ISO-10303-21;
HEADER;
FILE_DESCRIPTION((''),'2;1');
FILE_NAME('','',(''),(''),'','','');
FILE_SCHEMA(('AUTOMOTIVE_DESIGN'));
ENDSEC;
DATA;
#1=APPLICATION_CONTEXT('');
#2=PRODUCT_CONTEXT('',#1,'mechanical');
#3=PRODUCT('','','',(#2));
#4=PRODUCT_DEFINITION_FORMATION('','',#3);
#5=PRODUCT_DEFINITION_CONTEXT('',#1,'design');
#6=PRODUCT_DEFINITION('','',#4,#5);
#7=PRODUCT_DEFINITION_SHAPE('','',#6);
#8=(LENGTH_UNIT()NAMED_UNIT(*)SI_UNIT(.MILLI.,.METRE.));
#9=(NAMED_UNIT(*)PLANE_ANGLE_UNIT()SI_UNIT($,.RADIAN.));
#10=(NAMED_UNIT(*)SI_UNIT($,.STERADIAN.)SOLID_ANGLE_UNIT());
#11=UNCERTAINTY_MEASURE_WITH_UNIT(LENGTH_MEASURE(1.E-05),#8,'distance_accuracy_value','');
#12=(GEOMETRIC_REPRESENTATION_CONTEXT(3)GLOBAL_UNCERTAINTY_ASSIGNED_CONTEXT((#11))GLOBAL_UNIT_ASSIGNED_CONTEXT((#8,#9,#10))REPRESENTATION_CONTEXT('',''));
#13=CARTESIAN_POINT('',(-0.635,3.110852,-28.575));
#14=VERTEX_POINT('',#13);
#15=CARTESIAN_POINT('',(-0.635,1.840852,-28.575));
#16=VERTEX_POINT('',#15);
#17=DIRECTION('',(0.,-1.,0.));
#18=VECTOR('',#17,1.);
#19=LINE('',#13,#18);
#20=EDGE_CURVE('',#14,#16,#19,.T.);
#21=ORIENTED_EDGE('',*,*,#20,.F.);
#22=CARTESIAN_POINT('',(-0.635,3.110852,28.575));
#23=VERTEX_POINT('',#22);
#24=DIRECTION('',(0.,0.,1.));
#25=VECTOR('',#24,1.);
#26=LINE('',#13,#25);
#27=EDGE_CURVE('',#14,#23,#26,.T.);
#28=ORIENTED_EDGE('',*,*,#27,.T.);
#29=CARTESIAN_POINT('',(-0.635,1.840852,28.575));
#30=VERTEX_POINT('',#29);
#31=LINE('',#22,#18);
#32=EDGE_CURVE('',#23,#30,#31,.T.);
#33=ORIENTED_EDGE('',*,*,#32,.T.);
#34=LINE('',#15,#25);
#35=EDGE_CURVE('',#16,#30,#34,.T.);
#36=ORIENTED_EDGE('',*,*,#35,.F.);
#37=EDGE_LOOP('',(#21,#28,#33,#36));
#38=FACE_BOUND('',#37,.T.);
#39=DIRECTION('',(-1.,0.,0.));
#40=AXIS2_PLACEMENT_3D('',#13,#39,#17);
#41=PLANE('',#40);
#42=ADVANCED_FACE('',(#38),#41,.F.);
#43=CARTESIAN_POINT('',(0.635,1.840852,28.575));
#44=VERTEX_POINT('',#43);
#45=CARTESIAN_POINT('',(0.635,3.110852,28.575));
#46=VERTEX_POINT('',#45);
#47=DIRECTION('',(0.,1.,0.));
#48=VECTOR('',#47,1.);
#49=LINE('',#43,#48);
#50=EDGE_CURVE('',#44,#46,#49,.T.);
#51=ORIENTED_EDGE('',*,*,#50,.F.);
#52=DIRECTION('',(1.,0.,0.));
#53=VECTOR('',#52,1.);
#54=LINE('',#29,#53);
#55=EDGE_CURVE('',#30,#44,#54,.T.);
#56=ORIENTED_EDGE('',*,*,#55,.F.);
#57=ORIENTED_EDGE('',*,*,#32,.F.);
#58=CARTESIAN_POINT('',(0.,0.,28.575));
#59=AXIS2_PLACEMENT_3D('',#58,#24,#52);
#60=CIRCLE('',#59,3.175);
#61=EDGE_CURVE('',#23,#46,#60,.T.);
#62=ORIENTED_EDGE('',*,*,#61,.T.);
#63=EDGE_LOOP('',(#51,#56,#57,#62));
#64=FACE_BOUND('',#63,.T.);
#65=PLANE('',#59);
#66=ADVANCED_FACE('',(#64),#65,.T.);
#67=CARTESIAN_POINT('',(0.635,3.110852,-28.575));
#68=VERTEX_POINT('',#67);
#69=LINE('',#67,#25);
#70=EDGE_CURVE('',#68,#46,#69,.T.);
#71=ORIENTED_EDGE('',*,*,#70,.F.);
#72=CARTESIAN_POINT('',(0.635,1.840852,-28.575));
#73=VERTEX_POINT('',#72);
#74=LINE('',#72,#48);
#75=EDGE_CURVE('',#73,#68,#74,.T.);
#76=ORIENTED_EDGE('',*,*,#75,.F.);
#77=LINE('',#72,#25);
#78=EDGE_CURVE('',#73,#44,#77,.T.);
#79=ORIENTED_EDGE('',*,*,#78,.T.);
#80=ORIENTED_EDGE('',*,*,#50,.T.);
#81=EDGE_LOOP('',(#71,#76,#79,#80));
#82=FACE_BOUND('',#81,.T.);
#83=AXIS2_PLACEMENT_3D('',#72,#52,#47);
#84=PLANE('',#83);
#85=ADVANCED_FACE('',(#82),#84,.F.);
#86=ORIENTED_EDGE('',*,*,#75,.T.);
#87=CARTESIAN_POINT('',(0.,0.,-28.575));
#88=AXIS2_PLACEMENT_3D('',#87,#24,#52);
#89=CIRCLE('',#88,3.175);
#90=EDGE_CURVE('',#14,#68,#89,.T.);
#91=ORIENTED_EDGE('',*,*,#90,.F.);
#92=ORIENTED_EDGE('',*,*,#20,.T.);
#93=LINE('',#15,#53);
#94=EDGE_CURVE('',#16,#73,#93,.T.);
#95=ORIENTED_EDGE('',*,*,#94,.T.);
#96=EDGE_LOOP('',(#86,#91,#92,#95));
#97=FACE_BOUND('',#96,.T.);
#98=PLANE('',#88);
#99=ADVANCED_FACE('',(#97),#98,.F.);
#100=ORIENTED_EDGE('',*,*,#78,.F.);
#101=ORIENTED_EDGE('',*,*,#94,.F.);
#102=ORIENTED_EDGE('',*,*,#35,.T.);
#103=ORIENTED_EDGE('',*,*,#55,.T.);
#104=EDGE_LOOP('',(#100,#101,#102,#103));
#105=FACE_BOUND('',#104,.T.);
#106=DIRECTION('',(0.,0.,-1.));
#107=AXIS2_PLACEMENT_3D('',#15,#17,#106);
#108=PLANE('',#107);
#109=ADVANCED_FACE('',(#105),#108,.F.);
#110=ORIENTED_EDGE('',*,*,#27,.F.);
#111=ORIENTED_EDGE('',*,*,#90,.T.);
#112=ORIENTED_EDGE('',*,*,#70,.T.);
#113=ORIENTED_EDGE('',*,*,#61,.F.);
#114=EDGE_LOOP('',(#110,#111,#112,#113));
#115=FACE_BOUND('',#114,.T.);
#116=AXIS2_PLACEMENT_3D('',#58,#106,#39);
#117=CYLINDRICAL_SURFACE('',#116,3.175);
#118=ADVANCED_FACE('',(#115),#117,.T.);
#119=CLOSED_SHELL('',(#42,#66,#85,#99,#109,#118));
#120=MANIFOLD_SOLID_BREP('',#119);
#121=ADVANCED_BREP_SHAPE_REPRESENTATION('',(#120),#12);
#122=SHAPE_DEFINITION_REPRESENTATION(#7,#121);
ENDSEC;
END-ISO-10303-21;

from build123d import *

# Parameters (mm, degrees)
SKETCH1_R           = 3.175
BOSS_EXTRUDE1_DEPTH = 28.575
CUT_EXTRUDE1_DEPTH  = 58.326117521


with BuildPart() as part:
    # Sketch1 → Boss-Extrude1 (new, symmetric)
    with BuildSketch(Plane.XY):
        Circle(SKETCH1_R)
    extrude(amount=BOSS_EXTRUDE1_DEPTH, both=True)

    # Sketch2 → Cut-Extrude1 (cut, through all)
    with BuildSketch(Plane.XY.offset(28.575)):
        with BuildLine():
            Line((-0.635, 3.110851973), (-0.635, 1.840851973))
            Line((-0.635, 1.840851973), (0.635, 1.840851973))
            Line((0.635, 1.840851973), (0.635, 3.110851973))
            ThreePointArc((0.635, 3.110851973), (0, 3.175), (-0.635, 3.110851973))
        make_face()
    extrude(amount=-CUT_EXTRUDE1_DEPTH, mode=Mode.SUBTRACT)


solid = part.part
